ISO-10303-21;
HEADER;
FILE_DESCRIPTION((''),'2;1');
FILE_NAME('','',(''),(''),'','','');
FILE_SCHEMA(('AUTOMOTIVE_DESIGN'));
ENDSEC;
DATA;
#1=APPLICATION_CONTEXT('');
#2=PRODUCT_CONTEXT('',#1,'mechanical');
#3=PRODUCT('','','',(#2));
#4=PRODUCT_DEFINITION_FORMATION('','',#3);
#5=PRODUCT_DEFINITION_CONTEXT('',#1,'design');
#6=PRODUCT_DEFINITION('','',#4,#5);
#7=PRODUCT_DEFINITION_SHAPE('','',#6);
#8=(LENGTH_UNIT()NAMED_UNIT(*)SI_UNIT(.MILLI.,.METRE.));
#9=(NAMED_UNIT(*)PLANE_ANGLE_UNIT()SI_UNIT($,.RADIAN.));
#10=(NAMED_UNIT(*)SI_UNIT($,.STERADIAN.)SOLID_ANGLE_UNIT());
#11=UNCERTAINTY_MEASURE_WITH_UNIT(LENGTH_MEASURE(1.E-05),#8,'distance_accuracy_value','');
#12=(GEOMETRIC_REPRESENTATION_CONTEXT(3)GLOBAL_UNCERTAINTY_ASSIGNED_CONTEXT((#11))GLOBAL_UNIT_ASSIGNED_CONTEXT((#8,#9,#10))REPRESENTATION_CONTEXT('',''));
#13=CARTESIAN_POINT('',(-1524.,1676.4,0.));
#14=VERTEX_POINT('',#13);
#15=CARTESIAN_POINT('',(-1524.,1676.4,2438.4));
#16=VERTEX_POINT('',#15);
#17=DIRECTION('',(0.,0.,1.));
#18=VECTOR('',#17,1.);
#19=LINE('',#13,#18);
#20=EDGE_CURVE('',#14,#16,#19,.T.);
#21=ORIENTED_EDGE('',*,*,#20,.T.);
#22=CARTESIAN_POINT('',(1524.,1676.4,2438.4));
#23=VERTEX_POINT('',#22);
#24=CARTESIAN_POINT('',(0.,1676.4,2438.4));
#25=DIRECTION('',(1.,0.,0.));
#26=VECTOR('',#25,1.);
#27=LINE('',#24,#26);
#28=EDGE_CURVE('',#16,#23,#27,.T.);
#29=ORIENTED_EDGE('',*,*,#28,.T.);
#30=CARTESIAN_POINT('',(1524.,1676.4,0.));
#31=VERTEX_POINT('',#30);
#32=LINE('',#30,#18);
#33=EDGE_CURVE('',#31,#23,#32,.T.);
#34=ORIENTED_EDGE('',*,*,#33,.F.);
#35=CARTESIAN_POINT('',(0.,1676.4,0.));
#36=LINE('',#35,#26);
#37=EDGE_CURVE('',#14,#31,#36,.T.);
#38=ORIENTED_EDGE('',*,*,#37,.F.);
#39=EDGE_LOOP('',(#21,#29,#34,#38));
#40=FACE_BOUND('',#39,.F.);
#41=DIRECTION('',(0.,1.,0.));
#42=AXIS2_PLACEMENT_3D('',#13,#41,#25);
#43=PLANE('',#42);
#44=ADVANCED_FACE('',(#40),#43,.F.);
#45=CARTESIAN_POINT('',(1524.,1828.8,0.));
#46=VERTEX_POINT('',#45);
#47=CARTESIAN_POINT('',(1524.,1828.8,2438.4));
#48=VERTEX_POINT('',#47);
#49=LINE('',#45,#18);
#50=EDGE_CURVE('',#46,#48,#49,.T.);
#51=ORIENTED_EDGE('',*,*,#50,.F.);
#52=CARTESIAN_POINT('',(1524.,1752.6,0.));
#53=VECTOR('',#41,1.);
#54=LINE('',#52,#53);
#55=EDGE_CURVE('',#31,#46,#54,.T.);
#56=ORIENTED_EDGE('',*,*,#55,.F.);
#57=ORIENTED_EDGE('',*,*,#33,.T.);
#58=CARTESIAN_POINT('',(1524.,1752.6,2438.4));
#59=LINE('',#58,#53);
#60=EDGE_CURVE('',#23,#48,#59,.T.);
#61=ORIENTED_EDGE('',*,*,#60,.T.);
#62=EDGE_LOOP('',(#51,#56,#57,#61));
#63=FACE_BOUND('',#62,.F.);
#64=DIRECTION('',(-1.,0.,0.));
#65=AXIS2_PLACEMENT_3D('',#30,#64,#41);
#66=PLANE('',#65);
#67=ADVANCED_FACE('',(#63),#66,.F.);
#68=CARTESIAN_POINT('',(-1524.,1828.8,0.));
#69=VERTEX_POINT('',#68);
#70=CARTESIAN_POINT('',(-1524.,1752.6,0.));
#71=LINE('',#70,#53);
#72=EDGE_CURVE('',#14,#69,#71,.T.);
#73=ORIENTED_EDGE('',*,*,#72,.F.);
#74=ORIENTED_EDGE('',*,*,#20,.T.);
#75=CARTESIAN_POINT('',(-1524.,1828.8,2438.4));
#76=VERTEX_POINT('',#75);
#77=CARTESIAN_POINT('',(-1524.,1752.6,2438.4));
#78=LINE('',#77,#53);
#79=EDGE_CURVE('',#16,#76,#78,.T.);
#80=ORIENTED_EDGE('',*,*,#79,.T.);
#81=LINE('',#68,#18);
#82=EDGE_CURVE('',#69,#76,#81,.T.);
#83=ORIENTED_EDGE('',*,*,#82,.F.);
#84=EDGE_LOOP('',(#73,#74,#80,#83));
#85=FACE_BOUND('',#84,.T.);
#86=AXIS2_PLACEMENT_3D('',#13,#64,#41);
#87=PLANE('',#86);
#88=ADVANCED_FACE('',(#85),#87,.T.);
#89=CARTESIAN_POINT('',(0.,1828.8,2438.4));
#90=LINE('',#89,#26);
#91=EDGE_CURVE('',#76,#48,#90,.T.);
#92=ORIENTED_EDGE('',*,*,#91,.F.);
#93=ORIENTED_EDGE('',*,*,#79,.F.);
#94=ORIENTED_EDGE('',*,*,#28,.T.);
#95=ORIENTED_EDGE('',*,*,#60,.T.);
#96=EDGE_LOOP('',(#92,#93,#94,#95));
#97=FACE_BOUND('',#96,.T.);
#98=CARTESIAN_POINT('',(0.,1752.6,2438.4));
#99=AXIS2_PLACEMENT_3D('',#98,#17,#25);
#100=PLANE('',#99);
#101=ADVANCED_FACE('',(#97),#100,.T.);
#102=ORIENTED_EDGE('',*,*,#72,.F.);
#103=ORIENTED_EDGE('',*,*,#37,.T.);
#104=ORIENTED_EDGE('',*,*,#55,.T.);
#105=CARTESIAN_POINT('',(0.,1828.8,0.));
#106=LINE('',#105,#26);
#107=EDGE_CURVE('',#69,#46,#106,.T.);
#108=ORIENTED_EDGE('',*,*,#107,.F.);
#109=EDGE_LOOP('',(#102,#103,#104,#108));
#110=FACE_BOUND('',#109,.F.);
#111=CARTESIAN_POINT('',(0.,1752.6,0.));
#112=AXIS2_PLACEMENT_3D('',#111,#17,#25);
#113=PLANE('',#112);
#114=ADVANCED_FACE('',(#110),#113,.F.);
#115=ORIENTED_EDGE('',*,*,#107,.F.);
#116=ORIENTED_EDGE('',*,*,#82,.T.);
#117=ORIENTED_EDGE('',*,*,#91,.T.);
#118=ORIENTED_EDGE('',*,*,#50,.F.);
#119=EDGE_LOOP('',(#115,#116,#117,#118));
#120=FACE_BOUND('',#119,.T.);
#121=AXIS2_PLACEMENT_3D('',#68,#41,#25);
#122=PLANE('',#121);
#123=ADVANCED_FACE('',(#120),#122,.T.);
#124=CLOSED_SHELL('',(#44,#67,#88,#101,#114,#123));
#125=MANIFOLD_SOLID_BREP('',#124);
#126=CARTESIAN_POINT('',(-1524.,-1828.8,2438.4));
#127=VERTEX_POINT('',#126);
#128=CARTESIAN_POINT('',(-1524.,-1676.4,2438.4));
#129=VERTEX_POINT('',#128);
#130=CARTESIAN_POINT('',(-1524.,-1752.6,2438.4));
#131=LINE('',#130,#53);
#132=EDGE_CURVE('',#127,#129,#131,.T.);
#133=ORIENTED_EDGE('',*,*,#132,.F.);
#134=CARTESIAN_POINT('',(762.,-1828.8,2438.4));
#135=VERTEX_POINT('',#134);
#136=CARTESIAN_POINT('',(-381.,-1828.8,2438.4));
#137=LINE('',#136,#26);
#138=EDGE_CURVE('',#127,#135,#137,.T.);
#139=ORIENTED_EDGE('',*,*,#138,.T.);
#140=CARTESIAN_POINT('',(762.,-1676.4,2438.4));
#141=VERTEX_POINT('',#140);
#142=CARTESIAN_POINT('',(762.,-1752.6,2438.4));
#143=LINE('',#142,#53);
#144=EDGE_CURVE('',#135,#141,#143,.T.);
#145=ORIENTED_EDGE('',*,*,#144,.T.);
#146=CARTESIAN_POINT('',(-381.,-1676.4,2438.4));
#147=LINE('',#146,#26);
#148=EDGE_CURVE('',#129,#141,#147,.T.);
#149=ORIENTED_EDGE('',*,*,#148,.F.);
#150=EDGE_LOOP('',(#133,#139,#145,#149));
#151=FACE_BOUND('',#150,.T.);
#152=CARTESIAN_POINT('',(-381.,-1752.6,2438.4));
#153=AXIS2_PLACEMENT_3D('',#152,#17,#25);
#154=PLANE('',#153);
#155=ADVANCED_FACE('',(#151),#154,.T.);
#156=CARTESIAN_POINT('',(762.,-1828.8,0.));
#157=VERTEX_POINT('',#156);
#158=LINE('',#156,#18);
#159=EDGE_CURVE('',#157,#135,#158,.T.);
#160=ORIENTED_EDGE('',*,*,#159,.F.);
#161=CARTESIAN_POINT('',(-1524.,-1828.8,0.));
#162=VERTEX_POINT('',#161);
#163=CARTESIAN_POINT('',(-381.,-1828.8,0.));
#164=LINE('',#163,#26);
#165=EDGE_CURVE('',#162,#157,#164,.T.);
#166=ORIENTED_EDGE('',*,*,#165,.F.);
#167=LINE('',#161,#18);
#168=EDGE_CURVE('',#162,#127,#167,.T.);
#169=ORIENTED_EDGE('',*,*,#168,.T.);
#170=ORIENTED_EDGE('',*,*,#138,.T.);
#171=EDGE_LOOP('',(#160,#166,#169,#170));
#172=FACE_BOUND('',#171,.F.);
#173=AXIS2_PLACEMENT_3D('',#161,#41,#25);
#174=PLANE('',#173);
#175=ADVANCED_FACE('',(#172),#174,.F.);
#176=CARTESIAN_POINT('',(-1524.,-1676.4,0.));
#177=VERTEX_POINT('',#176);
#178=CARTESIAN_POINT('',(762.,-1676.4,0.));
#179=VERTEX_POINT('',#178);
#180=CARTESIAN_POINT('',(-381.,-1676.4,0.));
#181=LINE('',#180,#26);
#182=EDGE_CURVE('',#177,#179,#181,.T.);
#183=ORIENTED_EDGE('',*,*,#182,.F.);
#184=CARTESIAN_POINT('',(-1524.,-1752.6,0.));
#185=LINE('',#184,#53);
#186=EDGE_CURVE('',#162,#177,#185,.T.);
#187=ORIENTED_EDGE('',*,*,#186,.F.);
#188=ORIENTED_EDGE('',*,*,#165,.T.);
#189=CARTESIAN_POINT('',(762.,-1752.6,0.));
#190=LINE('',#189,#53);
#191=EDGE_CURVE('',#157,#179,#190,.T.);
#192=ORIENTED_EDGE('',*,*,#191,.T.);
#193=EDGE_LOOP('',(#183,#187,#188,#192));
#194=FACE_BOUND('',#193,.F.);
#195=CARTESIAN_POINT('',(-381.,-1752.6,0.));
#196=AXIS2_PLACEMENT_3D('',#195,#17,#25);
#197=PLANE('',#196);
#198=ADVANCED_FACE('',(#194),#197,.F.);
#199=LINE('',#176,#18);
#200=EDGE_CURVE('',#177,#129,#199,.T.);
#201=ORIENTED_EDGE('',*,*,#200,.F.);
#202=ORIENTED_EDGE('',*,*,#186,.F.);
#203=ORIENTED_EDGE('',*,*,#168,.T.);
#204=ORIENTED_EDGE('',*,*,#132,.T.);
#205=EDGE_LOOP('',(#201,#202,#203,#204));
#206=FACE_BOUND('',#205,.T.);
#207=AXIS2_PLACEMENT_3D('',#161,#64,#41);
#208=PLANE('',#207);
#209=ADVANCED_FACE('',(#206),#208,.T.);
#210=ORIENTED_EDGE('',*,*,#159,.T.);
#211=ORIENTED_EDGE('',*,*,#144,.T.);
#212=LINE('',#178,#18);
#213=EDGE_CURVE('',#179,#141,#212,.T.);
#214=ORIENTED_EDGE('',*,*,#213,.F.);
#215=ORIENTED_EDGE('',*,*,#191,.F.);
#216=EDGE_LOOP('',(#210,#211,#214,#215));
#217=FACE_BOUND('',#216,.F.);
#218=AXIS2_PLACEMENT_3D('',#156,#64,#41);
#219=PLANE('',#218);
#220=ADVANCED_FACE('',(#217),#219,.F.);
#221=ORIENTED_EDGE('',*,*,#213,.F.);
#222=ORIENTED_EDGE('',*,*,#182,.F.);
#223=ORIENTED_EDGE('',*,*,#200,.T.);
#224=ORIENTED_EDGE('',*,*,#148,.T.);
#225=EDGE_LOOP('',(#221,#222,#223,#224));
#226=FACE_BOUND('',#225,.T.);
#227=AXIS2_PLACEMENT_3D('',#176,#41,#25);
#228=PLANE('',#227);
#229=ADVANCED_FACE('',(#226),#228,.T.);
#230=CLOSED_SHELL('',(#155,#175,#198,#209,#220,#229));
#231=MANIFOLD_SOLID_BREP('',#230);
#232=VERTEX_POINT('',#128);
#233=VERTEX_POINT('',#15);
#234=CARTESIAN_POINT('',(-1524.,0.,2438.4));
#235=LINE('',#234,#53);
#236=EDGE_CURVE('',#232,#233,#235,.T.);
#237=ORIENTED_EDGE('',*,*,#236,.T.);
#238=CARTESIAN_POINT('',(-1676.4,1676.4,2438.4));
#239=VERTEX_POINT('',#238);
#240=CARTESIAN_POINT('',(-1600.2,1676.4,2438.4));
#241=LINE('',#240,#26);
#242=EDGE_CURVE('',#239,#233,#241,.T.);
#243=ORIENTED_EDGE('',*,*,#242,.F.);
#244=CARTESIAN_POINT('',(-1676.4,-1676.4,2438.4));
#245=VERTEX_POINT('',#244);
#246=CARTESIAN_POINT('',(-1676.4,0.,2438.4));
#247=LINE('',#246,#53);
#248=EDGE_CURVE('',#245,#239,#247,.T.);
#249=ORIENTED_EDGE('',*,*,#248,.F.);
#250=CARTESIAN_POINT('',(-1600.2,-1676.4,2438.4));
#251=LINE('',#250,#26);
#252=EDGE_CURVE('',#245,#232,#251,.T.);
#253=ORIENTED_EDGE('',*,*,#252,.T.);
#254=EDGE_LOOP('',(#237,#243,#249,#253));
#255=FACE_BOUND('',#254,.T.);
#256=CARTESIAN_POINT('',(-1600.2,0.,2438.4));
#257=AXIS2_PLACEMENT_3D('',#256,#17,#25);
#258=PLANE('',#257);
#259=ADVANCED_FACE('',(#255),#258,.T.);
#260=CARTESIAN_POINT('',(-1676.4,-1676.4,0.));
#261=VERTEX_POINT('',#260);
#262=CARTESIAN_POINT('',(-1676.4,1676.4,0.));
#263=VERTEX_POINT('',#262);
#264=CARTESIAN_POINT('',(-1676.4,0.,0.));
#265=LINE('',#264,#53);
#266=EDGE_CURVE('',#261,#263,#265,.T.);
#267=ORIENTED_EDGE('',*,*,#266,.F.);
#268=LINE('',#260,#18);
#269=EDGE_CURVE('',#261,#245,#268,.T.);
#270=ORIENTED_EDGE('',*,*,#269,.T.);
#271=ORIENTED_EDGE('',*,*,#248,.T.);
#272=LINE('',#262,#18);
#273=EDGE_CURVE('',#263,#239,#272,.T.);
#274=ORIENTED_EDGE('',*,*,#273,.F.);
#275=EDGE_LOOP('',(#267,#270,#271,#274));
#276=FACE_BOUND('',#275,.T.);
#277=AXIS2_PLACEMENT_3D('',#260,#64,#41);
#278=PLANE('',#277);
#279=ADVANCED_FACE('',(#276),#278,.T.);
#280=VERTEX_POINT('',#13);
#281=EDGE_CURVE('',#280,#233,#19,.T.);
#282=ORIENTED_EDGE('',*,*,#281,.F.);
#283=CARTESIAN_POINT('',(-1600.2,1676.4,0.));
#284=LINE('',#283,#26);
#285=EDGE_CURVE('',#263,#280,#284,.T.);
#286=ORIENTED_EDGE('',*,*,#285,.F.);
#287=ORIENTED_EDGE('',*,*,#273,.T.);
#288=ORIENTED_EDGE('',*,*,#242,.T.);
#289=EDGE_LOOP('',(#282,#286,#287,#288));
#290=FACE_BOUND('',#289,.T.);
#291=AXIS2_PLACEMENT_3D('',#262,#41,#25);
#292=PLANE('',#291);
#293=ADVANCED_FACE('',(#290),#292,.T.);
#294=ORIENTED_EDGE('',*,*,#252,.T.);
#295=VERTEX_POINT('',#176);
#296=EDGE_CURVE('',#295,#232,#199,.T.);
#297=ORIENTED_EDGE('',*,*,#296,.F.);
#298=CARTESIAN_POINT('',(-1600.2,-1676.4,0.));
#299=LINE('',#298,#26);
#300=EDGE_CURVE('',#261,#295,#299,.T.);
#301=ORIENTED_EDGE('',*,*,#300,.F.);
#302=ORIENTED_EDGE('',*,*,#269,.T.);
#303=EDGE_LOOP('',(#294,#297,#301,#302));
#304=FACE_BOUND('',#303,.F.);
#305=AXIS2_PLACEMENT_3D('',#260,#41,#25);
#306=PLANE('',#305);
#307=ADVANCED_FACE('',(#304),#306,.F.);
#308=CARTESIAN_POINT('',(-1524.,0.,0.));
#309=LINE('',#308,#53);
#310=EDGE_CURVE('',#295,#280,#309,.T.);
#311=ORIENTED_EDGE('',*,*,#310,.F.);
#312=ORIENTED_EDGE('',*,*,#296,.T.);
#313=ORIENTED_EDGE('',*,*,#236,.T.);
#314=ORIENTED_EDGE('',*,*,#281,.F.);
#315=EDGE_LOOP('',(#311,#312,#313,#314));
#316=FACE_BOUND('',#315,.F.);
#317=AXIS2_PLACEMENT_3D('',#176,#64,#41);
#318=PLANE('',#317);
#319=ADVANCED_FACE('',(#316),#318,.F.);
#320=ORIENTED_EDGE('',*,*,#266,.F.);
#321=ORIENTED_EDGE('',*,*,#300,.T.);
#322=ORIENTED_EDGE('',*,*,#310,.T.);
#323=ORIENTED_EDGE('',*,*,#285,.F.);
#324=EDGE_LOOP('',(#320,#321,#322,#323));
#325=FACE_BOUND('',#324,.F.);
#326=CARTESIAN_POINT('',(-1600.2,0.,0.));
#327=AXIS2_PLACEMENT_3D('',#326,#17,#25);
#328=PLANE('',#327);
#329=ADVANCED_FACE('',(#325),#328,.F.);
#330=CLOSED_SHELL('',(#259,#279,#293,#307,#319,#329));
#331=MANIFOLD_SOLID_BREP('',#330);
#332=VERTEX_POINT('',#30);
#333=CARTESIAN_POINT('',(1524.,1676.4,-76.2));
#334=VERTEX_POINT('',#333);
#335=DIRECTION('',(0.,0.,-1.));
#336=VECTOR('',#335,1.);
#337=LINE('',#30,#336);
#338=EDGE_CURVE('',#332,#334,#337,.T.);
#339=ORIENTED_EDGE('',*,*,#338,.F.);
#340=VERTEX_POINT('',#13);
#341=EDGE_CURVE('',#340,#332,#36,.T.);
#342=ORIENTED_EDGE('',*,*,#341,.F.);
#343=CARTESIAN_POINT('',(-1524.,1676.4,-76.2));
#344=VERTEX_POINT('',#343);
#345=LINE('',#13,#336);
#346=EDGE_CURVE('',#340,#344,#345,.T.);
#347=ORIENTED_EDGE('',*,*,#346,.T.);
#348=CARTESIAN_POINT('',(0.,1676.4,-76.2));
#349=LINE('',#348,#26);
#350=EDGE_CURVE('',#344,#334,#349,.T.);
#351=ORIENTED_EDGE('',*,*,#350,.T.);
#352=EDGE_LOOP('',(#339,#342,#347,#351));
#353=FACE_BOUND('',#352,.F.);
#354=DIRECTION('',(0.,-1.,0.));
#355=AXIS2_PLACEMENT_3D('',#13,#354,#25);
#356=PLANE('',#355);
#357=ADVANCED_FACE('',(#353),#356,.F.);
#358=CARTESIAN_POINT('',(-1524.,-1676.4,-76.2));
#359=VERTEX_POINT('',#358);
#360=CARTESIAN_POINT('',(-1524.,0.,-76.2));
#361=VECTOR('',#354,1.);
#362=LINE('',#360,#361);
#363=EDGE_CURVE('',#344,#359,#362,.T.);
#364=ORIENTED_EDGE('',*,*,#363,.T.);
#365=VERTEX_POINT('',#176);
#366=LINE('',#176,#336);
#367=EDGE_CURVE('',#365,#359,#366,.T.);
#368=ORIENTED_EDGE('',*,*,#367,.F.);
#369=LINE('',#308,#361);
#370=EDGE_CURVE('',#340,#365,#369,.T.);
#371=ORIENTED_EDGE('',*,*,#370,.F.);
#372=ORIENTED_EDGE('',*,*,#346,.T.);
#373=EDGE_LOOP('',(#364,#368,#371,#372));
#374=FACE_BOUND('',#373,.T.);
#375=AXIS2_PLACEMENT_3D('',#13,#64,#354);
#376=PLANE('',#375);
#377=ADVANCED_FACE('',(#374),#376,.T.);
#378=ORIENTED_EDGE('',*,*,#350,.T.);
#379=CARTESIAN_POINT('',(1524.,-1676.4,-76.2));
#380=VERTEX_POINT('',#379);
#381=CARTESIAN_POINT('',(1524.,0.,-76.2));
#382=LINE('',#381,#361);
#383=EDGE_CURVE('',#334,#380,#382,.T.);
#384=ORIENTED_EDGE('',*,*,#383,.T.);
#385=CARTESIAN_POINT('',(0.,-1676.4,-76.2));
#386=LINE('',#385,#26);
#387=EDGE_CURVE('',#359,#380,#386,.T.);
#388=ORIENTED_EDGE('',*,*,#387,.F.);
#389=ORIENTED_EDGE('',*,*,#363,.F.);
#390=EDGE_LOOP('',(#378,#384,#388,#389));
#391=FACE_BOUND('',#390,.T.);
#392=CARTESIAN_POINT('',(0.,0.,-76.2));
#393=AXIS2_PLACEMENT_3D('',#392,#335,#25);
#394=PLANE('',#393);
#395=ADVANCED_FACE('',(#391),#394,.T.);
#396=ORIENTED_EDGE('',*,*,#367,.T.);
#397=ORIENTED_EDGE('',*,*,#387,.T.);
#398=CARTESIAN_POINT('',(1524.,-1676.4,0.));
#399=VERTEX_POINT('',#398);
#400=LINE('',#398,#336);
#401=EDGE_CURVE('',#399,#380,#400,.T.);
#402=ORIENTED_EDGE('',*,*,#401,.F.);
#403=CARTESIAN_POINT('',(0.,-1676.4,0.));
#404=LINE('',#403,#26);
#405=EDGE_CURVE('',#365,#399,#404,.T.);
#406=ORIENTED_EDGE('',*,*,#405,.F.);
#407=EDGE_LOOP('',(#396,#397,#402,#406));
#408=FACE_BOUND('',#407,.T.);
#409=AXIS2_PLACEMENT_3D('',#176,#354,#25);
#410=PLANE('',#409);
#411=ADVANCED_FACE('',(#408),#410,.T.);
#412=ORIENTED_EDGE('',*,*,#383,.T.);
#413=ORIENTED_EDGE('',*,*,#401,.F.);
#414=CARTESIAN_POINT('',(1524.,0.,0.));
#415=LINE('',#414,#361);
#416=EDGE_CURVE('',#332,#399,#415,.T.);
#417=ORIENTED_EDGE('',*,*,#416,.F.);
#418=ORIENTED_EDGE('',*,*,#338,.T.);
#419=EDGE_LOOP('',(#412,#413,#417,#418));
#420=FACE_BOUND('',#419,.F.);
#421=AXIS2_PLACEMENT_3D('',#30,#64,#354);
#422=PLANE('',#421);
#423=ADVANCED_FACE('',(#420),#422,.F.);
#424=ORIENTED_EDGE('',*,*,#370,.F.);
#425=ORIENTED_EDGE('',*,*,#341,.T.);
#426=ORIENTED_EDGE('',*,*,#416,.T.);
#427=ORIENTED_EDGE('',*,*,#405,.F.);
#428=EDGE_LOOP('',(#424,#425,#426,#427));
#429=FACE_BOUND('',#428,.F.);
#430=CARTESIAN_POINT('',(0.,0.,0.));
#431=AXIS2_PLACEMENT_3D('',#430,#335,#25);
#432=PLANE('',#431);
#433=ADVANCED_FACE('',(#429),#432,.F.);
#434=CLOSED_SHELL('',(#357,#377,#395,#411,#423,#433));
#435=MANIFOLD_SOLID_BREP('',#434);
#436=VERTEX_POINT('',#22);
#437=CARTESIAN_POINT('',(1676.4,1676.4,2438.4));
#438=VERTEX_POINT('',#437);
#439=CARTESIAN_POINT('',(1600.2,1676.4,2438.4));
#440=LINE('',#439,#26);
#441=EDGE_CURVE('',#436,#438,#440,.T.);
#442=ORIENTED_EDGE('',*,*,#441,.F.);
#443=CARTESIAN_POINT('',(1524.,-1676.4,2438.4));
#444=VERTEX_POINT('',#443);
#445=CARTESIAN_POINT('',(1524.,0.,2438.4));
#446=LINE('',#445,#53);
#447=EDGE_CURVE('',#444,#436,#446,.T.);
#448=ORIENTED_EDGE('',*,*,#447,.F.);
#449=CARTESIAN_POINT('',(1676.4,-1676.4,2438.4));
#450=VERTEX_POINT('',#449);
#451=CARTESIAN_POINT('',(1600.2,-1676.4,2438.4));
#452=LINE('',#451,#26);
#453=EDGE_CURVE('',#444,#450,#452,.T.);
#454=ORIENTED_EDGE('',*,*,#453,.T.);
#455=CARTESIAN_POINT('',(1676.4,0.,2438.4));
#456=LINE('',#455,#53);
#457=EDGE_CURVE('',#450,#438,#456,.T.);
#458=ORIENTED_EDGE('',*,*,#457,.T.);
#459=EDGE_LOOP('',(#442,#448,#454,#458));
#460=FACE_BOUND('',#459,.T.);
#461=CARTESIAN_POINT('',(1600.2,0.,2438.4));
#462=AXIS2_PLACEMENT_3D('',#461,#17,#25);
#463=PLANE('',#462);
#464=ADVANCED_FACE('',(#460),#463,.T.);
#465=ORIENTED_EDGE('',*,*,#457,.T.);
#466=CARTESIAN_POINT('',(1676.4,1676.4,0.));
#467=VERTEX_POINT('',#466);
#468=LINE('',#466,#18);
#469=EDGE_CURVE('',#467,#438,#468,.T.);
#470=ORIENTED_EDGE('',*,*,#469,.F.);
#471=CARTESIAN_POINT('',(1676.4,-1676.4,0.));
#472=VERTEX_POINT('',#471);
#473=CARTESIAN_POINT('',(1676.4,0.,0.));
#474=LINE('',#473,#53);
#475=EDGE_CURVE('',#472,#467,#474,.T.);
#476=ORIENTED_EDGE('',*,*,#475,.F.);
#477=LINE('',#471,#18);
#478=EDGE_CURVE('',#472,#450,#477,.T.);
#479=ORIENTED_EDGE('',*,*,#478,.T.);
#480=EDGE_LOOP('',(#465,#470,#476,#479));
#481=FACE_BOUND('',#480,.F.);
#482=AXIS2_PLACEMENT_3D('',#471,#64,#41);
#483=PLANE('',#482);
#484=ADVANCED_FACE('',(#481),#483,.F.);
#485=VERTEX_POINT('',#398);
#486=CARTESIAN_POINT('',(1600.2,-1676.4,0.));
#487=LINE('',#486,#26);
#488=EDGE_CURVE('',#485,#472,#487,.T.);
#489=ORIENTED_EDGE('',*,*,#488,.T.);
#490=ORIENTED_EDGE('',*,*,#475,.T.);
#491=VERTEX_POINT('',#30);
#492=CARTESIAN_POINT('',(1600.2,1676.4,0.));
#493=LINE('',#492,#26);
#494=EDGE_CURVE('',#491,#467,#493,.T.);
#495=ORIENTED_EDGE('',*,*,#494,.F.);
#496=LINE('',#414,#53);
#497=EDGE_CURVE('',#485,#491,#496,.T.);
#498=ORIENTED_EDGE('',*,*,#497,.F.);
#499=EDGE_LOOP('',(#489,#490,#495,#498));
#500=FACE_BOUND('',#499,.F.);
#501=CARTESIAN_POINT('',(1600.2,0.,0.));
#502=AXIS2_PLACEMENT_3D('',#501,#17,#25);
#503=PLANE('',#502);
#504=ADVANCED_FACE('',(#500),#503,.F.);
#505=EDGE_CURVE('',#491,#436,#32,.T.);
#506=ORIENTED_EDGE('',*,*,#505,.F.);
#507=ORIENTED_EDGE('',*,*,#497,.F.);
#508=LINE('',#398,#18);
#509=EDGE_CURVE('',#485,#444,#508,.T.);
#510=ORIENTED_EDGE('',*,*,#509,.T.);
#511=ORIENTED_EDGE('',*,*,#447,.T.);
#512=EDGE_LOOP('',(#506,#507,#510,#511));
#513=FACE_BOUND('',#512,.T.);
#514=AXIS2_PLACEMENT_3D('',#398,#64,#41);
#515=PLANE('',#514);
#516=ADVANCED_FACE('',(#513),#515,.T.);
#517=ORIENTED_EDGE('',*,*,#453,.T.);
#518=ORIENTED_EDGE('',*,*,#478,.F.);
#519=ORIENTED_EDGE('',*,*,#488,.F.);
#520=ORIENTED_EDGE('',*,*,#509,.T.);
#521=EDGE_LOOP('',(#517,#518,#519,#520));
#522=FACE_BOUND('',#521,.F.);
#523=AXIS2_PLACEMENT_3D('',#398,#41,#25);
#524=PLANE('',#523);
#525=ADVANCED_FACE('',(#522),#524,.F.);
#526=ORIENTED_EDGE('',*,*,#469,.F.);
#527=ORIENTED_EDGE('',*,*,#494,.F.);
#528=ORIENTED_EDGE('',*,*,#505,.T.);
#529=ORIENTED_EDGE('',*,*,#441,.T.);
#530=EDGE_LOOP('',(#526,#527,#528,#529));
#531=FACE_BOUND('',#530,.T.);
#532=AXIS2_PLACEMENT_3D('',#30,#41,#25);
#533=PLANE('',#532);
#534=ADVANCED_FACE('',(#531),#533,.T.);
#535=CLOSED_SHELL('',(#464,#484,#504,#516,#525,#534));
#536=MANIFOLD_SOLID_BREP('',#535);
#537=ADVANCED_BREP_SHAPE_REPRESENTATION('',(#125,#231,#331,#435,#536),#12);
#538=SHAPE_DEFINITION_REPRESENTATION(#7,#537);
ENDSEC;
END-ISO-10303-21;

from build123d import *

# Parameters (mm, degrees)
F0_W     = 3048
F0_H     = 152.4
F0_W_2   = 2286
F0_W_3   = 152.4
F0_H_2   = 3352.8
F1_DEPTH = 2438.4
F2_W     = 3048
F2_H     = 3352.8
F3_DEPTH = 76.2


with BuildPart() as f1:
    # F0 (on Top) → F1 (new body)
    with BuildSketch(Plane.XY):
        with Locations((0, 1752.6)):
            Rectangle(F0_W, F0_H)
        with Locations((-381, -1752.6)):
            Rectangle(F0_W_2, F0_H)
        with Locations((1600.2, 0)):
            Rectangle(F0_W_3, F0_H_2)
        with Locations((-1600.2, 0)):
            Rectangle(F0_W_3, F0_H_2)
    extrude(amount=F1_DEPTH)


with BuildPart() as f3:
    # F2 (on face) → F3 (new body)
    with BuildSketch(Plane(origin=(0, 0, 0), x_dir=(1, 0, 0), z_dir=(0, 0, -1))):
        Rectangle(F2_W, F2_H)
    extrude(amount=F3_DEPTH)


solid = Compound([f1.part, f3.part])
